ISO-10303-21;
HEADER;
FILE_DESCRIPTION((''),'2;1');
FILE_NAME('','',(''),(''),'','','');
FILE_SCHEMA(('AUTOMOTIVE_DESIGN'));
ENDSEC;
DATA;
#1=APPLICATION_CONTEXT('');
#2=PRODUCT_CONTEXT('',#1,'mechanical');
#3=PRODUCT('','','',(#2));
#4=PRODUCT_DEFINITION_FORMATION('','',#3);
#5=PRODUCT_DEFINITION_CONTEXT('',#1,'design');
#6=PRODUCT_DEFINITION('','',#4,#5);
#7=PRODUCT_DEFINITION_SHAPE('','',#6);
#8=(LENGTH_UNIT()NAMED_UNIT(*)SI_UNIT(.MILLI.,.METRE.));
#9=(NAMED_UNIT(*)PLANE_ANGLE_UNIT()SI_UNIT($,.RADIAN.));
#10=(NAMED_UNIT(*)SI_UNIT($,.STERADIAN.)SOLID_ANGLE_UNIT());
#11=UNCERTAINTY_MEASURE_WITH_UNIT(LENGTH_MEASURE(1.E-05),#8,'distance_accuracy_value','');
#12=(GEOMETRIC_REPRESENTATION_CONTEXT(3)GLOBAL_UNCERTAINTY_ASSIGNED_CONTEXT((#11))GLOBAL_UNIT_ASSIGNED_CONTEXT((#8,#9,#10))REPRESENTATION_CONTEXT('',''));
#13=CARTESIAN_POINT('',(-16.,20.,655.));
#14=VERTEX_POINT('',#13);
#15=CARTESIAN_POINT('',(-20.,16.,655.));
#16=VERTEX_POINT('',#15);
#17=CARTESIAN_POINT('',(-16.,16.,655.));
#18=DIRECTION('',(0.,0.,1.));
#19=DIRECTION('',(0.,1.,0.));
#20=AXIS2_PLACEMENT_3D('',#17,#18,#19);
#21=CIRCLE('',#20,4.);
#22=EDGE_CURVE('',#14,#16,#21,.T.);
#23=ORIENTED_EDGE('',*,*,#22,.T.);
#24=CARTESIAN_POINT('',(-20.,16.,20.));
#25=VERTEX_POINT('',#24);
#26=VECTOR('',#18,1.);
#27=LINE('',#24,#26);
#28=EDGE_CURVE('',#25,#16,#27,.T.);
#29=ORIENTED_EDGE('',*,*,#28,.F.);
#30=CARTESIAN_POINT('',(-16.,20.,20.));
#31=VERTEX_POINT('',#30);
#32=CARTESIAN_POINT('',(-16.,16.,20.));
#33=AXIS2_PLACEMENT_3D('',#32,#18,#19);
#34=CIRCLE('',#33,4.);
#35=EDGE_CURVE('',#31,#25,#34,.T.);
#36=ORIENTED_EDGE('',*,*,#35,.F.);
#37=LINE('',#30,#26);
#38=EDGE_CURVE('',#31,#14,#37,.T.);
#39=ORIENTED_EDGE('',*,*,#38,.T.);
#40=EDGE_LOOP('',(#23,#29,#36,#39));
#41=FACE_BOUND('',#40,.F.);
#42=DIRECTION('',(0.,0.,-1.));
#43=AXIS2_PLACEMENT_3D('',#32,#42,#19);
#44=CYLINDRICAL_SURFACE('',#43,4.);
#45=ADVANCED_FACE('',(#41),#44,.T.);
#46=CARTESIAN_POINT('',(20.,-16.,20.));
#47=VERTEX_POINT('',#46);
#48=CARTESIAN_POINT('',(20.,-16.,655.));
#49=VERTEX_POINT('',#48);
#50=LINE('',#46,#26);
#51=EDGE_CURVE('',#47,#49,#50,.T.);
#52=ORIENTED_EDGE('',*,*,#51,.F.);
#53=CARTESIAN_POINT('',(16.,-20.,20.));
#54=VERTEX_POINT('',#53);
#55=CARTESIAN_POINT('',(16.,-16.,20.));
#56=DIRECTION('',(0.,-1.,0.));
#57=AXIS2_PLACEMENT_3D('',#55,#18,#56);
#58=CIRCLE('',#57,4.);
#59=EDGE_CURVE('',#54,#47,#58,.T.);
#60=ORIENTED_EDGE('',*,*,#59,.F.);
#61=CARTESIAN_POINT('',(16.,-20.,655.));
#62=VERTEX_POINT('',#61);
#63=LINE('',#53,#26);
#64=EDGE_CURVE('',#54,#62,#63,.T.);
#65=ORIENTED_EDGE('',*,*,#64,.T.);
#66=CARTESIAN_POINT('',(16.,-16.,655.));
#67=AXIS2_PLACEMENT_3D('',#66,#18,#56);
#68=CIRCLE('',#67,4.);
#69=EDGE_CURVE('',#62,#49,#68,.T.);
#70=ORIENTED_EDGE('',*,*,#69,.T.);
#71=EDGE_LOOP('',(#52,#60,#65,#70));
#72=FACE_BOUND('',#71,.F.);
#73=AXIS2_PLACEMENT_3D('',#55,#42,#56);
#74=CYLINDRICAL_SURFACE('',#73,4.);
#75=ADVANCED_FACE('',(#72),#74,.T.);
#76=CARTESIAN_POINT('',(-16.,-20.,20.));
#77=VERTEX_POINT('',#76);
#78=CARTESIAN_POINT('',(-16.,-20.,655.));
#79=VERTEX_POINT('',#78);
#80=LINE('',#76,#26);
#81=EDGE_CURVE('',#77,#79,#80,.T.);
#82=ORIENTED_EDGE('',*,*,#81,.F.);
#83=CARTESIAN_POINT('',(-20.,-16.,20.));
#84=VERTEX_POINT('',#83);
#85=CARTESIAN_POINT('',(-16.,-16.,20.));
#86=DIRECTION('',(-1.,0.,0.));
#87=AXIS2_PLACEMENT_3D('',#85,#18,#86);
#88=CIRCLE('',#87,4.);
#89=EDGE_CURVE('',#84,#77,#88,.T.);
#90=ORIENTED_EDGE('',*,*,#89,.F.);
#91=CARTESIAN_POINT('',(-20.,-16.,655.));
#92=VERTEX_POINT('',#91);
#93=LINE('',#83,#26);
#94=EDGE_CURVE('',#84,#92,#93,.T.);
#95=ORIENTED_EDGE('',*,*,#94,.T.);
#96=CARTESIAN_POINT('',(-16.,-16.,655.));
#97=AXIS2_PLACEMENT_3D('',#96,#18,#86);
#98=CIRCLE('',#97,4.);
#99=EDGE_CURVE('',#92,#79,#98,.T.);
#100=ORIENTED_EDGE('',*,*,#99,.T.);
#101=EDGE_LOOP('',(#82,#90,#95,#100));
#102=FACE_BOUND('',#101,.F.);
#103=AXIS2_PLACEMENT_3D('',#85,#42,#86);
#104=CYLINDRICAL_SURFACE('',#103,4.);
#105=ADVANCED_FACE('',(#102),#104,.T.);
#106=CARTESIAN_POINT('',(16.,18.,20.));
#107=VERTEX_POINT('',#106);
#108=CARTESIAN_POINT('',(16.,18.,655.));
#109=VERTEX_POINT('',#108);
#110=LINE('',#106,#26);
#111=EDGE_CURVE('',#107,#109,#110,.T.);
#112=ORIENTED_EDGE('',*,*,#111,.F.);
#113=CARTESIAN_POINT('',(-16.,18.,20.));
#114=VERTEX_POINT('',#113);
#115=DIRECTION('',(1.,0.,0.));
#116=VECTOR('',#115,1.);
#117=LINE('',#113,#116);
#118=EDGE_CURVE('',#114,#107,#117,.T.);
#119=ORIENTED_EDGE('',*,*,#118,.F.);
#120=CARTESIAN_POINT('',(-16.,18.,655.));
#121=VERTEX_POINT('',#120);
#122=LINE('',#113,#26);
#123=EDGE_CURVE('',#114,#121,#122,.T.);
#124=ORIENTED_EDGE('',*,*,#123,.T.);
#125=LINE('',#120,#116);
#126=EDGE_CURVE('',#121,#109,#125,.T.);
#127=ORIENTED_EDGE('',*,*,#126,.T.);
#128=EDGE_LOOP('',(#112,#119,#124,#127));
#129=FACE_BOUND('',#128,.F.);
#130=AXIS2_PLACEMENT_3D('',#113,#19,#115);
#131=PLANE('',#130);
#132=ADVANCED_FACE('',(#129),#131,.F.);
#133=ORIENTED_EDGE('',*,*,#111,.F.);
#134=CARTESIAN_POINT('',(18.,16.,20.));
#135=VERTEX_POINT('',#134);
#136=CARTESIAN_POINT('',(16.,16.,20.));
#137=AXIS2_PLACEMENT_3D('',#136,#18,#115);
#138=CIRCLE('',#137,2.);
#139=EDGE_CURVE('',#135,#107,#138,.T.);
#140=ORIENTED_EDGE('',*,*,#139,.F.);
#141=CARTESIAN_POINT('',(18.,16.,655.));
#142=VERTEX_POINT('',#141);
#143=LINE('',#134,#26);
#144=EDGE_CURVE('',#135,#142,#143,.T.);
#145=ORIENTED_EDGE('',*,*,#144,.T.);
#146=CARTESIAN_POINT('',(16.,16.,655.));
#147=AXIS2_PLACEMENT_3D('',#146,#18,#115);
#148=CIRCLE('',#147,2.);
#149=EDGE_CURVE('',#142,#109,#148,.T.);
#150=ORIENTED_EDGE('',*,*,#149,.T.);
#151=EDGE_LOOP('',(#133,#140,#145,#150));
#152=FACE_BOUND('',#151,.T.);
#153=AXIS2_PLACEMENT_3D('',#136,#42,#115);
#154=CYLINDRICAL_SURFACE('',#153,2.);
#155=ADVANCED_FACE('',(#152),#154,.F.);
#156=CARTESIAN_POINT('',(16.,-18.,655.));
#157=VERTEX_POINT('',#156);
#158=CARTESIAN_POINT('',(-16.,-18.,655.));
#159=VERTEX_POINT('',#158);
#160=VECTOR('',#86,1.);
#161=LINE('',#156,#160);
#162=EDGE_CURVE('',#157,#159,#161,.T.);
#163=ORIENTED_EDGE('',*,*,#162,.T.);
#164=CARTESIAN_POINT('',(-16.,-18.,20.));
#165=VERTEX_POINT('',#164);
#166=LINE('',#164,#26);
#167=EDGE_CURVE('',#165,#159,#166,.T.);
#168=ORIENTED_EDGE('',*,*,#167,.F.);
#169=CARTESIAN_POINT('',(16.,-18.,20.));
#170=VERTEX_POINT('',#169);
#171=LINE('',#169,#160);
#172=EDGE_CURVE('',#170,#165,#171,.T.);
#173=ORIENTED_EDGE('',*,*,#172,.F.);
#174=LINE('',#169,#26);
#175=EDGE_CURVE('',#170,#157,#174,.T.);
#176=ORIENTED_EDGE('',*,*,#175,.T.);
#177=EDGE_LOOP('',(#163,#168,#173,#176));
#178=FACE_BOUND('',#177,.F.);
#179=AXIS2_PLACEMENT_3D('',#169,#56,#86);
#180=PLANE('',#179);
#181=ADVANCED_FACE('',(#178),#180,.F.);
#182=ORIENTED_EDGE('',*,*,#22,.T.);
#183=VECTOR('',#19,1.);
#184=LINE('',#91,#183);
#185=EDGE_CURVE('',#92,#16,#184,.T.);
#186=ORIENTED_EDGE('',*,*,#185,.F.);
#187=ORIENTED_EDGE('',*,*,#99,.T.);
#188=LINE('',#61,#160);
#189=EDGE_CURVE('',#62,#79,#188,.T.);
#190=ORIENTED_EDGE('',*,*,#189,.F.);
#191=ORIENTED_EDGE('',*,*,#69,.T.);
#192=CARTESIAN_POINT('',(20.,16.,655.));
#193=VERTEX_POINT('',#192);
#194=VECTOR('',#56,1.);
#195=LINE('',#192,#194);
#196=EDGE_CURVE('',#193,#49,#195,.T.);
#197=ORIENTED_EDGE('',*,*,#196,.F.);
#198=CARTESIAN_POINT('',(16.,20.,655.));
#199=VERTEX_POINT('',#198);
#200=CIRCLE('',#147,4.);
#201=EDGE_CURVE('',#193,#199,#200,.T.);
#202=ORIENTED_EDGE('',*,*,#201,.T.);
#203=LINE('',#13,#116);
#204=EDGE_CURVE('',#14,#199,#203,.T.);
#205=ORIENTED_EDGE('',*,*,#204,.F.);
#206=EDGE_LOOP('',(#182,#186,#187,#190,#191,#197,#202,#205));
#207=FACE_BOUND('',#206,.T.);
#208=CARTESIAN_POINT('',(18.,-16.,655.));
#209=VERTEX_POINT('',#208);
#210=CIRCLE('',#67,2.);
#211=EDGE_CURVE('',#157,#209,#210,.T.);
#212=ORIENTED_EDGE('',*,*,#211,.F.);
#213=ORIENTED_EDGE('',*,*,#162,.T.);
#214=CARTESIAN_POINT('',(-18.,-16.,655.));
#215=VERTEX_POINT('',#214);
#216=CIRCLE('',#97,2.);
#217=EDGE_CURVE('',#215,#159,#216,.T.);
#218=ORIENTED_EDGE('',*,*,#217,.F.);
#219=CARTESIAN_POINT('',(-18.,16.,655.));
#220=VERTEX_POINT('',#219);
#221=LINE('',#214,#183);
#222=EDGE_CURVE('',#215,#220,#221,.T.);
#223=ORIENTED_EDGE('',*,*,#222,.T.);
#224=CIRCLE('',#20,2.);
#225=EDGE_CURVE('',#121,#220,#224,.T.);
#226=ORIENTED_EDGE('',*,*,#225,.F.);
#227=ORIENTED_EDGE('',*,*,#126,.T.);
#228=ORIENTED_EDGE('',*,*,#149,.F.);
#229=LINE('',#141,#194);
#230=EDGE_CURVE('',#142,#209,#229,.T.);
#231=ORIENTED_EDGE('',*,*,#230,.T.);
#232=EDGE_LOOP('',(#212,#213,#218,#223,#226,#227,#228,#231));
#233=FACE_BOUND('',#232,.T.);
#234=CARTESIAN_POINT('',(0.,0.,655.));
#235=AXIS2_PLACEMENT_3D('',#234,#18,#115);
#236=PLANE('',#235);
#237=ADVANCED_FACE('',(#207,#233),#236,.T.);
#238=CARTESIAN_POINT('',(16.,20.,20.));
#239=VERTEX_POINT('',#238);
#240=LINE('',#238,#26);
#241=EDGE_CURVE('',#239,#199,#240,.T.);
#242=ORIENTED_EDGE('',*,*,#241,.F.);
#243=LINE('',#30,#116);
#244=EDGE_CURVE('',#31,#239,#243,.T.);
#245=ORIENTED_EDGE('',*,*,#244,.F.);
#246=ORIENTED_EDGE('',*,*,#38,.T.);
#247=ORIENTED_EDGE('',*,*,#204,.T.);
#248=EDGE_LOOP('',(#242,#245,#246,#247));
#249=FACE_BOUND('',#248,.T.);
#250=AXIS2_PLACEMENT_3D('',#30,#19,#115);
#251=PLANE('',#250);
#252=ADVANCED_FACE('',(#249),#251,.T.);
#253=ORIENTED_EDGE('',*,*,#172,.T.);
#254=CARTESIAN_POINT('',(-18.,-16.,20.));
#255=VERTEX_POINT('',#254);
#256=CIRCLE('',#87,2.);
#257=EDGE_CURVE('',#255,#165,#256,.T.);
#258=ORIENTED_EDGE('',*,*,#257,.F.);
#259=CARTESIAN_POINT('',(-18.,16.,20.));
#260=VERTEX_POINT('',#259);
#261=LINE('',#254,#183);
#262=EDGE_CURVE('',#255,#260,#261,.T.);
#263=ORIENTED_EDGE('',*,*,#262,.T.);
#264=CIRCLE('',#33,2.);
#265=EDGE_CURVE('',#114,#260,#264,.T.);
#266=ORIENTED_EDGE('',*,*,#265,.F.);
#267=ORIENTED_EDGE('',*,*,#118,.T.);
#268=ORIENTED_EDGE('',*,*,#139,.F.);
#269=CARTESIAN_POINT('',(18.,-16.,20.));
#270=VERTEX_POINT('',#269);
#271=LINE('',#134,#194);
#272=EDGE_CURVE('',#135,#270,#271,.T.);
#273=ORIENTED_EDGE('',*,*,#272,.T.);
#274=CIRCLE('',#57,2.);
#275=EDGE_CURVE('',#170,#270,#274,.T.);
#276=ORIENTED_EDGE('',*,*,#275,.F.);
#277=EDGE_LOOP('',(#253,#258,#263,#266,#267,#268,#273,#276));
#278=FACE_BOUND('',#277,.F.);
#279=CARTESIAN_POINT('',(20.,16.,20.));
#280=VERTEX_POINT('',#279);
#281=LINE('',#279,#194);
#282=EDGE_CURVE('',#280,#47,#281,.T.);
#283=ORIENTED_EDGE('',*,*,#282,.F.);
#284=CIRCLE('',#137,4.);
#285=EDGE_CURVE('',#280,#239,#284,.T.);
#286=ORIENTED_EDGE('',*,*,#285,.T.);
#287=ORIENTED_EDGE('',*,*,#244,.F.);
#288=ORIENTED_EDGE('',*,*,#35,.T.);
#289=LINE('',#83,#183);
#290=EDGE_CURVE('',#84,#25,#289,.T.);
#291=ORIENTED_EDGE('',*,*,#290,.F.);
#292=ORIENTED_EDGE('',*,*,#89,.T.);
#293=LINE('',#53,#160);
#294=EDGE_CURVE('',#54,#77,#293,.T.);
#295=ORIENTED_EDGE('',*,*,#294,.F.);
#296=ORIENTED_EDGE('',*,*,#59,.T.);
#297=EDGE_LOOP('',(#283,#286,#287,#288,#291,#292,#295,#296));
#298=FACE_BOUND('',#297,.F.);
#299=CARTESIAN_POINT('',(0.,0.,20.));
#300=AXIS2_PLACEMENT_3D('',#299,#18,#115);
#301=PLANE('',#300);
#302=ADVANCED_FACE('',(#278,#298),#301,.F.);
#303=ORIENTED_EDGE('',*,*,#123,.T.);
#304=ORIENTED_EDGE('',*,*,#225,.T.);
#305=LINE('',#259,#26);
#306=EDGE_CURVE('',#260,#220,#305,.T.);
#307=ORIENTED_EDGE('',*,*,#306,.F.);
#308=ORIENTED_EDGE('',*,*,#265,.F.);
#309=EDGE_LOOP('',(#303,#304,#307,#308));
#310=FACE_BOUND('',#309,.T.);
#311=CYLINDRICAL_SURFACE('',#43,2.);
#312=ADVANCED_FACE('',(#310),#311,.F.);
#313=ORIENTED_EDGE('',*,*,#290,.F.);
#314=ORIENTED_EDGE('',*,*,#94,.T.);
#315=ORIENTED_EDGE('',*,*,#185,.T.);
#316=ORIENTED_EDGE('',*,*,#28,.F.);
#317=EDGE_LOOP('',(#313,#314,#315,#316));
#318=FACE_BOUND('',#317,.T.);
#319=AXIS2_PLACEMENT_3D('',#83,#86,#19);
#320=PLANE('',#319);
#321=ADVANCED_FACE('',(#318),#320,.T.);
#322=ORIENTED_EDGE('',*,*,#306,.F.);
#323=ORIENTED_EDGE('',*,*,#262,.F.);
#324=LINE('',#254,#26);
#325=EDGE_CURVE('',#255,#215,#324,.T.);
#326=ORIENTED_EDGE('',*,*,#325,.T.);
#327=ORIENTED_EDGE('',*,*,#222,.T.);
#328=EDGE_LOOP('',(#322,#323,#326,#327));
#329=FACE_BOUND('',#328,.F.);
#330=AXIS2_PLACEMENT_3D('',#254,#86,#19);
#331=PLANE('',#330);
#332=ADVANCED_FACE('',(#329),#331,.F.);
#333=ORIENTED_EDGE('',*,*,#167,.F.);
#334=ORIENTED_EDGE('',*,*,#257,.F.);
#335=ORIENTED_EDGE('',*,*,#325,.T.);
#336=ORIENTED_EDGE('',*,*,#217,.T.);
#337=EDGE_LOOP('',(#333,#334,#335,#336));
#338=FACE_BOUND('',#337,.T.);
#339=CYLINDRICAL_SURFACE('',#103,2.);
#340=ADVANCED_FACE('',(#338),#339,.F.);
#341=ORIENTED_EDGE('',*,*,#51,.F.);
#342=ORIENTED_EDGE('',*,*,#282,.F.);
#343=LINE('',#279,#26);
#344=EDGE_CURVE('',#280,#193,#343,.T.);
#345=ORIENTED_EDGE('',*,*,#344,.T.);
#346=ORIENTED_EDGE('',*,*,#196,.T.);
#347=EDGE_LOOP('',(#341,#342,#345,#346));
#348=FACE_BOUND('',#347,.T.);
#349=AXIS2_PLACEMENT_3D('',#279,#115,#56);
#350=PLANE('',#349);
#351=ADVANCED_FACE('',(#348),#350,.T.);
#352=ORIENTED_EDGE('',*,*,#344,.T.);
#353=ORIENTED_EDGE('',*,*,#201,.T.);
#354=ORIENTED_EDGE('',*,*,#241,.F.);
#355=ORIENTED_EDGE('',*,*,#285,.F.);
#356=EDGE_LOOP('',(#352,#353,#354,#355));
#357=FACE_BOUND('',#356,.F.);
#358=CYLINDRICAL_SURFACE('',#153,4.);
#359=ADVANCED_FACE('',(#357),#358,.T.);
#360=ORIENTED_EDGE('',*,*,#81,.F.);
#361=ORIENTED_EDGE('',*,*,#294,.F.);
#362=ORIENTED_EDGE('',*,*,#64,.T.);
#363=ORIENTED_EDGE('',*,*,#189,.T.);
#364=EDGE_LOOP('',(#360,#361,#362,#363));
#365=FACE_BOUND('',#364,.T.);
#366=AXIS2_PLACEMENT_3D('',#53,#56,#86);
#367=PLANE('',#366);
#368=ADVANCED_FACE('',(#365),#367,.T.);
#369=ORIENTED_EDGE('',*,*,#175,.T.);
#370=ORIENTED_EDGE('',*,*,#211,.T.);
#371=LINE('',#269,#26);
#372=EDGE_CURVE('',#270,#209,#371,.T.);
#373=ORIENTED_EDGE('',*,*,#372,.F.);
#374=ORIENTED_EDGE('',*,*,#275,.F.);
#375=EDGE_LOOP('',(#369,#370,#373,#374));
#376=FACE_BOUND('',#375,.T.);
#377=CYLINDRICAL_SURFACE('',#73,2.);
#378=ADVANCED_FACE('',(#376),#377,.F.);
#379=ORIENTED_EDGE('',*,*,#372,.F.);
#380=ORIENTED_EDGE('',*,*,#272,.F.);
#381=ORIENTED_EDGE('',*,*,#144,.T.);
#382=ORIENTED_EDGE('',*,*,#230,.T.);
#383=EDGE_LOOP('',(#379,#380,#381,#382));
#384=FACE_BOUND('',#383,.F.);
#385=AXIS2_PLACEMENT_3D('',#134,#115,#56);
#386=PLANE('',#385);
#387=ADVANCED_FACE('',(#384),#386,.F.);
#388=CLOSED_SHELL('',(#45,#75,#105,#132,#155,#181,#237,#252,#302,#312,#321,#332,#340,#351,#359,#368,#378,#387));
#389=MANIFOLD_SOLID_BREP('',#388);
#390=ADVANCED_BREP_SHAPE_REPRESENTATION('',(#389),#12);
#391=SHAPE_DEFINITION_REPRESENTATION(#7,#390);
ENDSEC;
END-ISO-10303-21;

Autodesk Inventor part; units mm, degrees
ref_plane "YZ Plane" through (0, 0, 0) normal (1, 0, 0) x (0, 1, 0)
ref_plane "Start Plane" through (0, 0, 20) normal (0, 0, 1) x (1, 0, 0)
ref_plane "End Plane" through (0, 0, 655) normal (0, 0, 1) x (1, 0, 0)
sketch "Sketch" plane through (0, 0, 0) normal (0, 0, 1) x (1, 0, 0)
  line L0 (-20, -16) -> (-20, 16)
  line L1 (-16, 20) -> (16, 20)
  line L2 (20, 16) -> (20, -16)
  line L3 (16, -20) -> (-16, -20)
  arc A0 (-20, -16) -> (-16, -20) centre (-16, -16) ccw
  arc A1 (20, 16) -> (16, 20) centre (16, 16) ccw
  arc A2 (-16, 20) -> (-20, 16) centre (-16, 16) ccw
  arc A3 (16, -20) -> (20, -16) centre (16, -16) ccw
  arc A4 (-16, 18) -> (-18, 16) centre (-16, 16) ccw
  line L4 (-16, 18) -> (16, 18)
  arc A5 (18, 16) -> (16, 18) centre (16, 16) ccw
  line L5 (18, 16) -> (18, -16)
  arc A6 (16, -18) -> (18, -16) centre (16, -16) ccw
  line L6 (16, -18) -> (-16, -18)
  arc A7 (-18, -16) -> (-16, -18) centre (-16, -16) ccw
  line L7 (-18, -16) -> (-18, 16)
  line L8 (0, 29.1598) -> (0, -29.1598) construction
  line L9 (-29.1598, 0) -> (29.1598, 0) construction
  dimension "d7" = 4
  dimension "d9" = 40
  dimension "d11" = 40
  dimension "d12" = 2
  dimension "d15" = 20
  dimension "d16" = 20
extrude "Body" add sketch "Sketch" along normal up to surface (635 mm away) from surface at 20
sketch "Sketch3" plane through (0, 0, 0) normal (0, 0, 1) x (1, 0, 0)
  line L0 (0, 0) -> (10, 0)
ref_plane "Work Plane3" through (0, 0, 0) normal (0, -1, 0) x (1, 0, 0)
sketch "Sketch4" plane through (0, 0, 0) normal (0, -1, 0) x (1, 0, 0)
  line L0 (-2, 20) -> (12, 20) projected
  line L1 (-2, 655) -> (12, 655) projected
  dimension "d18" = 635
equation "\"d7\" = G_IR"
equation "\"d9\" = G_W"
equation "\"d11\" = G_H"
equation "\"d12\" = G_T"
equation "\"d15\" = 0.5 * d9"
equation "\"d16\" = 0.5 * d11"
equation "\"d3\" = G_L"
equation "\"G_W\" = 40"
equation "\"G_H\" = 40"
equation "\"G_T\" = 2"
equation "\"G_IR\" = 4"
equation "\"G_L\" = d18"
equation "\"d14\" = G_OFFSET_END + B_L"
equation "\"B_L\" = 755"
equation "\"G_OFFSET_END\" = -100"
properties part number "ISO 10799-2 - 40x40x2 - 635" material "Steel, Mild"
